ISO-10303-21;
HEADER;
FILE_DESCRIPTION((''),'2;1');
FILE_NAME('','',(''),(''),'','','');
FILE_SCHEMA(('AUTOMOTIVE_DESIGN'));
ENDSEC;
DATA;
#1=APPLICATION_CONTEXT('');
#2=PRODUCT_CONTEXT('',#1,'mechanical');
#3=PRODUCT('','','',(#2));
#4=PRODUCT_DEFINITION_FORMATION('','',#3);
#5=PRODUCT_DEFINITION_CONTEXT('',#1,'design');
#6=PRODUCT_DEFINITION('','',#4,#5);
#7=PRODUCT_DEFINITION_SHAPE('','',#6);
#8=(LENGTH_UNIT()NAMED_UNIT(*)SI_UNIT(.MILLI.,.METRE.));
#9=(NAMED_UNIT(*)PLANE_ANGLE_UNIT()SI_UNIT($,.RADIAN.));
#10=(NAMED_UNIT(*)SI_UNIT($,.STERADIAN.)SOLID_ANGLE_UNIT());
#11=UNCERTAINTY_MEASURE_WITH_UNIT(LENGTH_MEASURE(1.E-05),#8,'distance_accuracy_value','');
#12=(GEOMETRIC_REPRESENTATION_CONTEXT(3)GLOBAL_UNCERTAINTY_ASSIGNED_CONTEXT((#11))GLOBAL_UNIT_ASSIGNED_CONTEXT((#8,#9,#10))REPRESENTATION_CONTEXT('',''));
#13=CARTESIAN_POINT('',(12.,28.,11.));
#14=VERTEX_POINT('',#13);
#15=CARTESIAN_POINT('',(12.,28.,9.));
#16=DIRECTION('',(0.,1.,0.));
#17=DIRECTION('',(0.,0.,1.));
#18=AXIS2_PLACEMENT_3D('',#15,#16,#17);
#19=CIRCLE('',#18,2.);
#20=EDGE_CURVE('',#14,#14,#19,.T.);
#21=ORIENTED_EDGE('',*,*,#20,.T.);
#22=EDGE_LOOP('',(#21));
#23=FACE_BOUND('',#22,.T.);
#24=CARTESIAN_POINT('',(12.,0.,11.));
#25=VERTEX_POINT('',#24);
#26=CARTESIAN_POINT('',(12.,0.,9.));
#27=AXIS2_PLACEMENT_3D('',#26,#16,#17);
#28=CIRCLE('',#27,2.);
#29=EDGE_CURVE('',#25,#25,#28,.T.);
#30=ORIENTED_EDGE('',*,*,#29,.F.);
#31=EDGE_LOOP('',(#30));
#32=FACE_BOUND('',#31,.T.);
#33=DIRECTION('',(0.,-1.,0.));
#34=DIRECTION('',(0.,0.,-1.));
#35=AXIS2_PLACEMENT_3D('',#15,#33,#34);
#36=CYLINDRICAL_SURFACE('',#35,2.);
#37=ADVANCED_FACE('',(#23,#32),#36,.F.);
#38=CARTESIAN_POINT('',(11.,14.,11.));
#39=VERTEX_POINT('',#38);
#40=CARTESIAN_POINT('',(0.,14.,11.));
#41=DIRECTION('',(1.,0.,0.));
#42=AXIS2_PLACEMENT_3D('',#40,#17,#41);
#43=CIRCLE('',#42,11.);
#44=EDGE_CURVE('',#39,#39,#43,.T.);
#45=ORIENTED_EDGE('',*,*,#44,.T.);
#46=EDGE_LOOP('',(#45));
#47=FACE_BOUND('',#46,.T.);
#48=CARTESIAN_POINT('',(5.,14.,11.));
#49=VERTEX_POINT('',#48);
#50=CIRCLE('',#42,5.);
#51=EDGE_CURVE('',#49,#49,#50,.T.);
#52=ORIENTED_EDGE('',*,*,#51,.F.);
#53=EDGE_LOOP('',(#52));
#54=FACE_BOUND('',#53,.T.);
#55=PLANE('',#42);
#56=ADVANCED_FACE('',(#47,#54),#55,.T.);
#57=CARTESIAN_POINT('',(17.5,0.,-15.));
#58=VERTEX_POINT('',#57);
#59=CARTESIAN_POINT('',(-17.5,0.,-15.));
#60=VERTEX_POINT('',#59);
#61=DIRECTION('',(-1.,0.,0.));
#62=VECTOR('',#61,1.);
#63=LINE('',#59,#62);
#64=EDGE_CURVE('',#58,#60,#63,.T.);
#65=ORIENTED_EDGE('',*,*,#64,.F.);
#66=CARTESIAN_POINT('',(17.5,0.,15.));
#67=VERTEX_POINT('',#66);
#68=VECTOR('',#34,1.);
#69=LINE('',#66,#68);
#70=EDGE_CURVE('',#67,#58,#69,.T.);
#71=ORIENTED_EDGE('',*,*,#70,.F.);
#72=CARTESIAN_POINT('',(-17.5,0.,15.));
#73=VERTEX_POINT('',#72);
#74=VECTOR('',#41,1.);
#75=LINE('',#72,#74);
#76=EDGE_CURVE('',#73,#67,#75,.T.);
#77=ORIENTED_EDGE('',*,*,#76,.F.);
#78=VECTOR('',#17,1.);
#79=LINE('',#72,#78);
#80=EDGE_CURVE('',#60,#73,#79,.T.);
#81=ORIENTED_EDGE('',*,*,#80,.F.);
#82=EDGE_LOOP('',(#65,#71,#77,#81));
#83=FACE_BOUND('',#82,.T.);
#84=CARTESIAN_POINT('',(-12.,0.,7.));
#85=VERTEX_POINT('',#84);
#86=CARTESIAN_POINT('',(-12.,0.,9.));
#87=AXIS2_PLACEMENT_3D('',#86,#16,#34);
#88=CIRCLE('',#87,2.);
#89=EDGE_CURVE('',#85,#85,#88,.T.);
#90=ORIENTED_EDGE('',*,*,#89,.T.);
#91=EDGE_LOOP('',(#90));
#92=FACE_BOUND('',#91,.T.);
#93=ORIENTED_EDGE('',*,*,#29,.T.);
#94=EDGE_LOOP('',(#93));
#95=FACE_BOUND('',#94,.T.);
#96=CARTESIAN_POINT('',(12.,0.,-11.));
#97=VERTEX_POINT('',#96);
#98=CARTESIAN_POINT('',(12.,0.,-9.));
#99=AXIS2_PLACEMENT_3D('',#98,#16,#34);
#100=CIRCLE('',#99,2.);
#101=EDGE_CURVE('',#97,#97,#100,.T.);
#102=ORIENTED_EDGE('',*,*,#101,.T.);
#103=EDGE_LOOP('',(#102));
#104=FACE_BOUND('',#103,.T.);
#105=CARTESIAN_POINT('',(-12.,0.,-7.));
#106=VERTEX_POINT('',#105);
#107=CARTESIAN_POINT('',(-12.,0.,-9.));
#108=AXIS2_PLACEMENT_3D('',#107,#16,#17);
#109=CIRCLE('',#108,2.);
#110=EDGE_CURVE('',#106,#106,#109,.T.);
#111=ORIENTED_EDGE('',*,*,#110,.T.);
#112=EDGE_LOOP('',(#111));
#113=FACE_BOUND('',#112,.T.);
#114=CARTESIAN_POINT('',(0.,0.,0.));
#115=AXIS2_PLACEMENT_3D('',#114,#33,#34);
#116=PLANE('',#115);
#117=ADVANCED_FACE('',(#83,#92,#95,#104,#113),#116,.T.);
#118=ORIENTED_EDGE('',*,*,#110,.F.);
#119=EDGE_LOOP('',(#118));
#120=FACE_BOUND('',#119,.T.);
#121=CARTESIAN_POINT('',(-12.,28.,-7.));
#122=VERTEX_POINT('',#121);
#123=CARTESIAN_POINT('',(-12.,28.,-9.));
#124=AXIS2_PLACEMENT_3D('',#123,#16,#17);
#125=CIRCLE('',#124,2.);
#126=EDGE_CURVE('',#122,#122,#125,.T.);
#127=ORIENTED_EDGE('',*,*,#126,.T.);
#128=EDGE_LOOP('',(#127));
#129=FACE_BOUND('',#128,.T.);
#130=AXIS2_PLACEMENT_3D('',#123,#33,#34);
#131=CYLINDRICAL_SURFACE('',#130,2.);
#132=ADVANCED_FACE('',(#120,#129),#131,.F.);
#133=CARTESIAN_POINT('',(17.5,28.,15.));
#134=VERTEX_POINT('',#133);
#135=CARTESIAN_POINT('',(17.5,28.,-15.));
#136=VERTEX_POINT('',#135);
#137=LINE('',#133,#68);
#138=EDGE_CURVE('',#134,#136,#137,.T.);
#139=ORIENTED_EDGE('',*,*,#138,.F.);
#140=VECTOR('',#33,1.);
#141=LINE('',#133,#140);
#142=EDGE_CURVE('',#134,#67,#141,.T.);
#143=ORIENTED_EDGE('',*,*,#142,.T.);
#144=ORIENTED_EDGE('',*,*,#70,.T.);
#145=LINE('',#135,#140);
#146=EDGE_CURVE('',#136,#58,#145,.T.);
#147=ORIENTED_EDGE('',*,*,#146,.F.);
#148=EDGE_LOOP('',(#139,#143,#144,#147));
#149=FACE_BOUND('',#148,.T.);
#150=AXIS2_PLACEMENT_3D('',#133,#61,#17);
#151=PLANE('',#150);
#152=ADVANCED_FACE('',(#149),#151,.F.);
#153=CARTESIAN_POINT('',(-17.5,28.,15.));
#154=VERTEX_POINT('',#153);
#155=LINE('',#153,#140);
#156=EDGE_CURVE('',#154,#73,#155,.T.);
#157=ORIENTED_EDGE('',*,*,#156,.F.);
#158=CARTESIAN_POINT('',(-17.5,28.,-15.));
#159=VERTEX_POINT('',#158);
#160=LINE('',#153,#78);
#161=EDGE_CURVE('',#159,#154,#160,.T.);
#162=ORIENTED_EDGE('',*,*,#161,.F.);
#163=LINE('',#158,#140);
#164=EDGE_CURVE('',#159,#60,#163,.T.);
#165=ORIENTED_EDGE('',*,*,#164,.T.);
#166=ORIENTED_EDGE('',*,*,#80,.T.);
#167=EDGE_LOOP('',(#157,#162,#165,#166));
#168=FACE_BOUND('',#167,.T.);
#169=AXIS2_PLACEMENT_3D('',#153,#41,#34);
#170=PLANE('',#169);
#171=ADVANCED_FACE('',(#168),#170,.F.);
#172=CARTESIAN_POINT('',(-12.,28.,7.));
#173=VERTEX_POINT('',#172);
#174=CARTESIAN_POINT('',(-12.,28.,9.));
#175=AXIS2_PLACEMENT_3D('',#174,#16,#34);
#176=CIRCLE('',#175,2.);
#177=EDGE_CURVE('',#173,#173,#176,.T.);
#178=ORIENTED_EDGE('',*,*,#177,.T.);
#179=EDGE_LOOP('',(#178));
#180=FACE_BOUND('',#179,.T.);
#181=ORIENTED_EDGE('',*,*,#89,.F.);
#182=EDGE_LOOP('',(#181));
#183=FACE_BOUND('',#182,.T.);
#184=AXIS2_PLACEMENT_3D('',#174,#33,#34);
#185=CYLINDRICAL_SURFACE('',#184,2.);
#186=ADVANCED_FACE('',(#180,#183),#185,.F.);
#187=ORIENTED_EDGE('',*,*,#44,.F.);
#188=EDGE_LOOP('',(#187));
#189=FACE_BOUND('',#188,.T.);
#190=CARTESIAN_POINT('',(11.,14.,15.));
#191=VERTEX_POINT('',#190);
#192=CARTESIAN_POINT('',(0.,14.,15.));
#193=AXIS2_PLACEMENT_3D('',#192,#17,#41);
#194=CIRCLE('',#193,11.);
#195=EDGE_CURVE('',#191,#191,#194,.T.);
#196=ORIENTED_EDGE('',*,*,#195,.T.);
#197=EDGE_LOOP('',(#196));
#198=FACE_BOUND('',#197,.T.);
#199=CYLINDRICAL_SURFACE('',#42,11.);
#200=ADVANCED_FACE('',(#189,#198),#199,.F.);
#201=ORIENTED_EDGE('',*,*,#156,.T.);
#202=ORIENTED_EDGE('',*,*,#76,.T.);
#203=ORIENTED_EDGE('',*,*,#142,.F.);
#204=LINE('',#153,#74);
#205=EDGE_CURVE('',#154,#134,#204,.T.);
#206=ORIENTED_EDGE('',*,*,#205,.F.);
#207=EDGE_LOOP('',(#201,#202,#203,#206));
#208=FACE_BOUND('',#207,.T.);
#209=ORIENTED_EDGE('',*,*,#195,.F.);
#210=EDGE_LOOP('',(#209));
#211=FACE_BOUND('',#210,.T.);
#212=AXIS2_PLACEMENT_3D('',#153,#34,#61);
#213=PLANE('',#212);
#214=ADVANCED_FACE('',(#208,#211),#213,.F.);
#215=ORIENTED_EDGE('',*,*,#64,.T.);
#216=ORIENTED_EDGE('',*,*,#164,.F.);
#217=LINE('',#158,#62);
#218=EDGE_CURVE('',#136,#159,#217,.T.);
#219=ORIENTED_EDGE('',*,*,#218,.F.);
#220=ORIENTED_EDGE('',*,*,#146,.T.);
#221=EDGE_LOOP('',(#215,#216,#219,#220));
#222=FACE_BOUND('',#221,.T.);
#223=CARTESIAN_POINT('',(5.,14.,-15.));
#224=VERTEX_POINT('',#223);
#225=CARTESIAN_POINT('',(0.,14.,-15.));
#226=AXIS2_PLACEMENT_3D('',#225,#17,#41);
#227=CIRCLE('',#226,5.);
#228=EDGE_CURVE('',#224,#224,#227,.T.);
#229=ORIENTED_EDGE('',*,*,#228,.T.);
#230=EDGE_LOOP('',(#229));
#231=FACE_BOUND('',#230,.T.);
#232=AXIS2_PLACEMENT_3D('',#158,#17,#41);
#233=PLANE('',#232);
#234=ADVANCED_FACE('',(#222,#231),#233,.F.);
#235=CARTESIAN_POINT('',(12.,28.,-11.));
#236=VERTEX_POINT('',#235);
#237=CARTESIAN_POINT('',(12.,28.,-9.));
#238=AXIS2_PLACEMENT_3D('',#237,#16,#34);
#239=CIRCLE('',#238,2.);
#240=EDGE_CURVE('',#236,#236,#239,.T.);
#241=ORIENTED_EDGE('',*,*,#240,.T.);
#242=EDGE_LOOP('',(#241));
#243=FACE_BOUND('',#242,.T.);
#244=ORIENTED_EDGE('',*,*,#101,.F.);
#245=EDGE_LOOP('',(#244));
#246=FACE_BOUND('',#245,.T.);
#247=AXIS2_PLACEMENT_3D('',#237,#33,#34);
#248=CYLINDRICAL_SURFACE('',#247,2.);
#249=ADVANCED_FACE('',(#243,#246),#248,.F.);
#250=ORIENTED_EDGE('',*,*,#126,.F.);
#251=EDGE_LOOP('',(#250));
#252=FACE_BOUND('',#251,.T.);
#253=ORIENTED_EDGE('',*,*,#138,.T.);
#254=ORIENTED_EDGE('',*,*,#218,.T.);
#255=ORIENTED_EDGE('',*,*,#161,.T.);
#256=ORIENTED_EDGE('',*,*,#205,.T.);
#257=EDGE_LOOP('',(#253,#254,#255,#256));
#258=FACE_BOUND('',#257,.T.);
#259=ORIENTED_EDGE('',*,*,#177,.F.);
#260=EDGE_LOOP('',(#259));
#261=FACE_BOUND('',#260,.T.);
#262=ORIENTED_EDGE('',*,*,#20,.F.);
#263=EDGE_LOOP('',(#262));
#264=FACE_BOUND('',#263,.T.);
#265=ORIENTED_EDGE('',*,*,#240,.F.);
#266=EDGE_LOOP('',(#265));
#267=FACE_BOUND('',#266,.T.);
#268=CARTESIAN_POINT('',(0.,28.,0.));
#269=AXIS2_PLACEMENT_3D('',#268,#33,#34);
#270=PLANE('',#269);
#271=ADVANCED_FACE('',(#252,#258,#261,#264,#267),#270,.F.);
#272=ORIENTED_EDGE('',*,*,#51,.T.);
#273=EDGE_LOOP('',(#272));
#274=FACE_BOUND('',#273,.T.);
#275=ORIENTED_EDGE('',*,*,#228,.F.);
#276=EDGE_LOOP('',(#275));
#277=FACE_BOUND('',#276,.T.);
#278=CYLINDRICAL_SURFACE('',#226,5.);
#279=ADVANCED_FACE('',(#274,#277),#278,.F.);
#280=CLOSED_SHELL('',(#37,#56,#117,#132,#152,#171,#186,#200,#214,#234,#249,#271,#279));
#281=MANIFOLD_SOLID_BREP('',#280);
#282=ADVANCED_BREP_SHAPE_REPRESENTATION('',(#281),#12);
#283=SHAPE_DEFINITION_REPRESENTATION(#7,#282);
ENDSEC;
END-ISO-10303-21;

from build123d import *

# Parameters (mm, degrees)
SKETCH1_W           = 35
SKETCH1_H           = 30
SKETCH1_R           = 2
BOSS_EXTRUDE1_DEPTH = 28
SKETCH2_R           = 11
CUT_EXTRUDE1_DEPTH  = 4
SKETCH3_R           = 5
CUT_EXTRUDE2_DEPTH  = 27


with BuildPart() as part:
    # Sketch1 → Boss-Extrude1 (new body)
    with BuildSketch(Plane(origin=(0, 0, 0), x_dir=(1, 0, 0), z_dir=(0, 1, 0))):
        Rectangle(SKETCH1_W, SKETCH1_H)
        with Locations((-12, 9)):
            Circle(SKETCH1_R, mode=Mode.SUBTRACT)
        with Locations((-12, -9)):
            Circle(SKETCH1_R, mode=Mode.SUBTRACT)
        with Locations((12, -9)):
            Circle(SKETCH1_R, mode=Mode.SUBTRACT)
        with Locations((12, 9)):
            Circle(SKETCH1_R, mode=Mode.SUBTRACT)
    extrude(amount=BOSS_EXTRUDE1_DEPTH)

    # Sketch2 → Cut-Extrude1 (cut)
    with BuildSketch(Plane.XY.offset(15)):
        with Locations((0, 14)):
            Circle(SKETCH2_R)
    extrude(amount=-CUT_EXTRUDE1_DEPTH, mode=Mode.SUBTRACT)

    # Sketch3 → Cut-Extrude2 (cut, through all)
    with BuildSketch(Plane.XY.offset(11)):
        with Locations((0, 14)):
            Circle(SKETCH3_R)
    extrude(amount=-CUT_EXTRUDE2_DEPTH, mode=Mode.SUBTRACT)


solid = part.part
